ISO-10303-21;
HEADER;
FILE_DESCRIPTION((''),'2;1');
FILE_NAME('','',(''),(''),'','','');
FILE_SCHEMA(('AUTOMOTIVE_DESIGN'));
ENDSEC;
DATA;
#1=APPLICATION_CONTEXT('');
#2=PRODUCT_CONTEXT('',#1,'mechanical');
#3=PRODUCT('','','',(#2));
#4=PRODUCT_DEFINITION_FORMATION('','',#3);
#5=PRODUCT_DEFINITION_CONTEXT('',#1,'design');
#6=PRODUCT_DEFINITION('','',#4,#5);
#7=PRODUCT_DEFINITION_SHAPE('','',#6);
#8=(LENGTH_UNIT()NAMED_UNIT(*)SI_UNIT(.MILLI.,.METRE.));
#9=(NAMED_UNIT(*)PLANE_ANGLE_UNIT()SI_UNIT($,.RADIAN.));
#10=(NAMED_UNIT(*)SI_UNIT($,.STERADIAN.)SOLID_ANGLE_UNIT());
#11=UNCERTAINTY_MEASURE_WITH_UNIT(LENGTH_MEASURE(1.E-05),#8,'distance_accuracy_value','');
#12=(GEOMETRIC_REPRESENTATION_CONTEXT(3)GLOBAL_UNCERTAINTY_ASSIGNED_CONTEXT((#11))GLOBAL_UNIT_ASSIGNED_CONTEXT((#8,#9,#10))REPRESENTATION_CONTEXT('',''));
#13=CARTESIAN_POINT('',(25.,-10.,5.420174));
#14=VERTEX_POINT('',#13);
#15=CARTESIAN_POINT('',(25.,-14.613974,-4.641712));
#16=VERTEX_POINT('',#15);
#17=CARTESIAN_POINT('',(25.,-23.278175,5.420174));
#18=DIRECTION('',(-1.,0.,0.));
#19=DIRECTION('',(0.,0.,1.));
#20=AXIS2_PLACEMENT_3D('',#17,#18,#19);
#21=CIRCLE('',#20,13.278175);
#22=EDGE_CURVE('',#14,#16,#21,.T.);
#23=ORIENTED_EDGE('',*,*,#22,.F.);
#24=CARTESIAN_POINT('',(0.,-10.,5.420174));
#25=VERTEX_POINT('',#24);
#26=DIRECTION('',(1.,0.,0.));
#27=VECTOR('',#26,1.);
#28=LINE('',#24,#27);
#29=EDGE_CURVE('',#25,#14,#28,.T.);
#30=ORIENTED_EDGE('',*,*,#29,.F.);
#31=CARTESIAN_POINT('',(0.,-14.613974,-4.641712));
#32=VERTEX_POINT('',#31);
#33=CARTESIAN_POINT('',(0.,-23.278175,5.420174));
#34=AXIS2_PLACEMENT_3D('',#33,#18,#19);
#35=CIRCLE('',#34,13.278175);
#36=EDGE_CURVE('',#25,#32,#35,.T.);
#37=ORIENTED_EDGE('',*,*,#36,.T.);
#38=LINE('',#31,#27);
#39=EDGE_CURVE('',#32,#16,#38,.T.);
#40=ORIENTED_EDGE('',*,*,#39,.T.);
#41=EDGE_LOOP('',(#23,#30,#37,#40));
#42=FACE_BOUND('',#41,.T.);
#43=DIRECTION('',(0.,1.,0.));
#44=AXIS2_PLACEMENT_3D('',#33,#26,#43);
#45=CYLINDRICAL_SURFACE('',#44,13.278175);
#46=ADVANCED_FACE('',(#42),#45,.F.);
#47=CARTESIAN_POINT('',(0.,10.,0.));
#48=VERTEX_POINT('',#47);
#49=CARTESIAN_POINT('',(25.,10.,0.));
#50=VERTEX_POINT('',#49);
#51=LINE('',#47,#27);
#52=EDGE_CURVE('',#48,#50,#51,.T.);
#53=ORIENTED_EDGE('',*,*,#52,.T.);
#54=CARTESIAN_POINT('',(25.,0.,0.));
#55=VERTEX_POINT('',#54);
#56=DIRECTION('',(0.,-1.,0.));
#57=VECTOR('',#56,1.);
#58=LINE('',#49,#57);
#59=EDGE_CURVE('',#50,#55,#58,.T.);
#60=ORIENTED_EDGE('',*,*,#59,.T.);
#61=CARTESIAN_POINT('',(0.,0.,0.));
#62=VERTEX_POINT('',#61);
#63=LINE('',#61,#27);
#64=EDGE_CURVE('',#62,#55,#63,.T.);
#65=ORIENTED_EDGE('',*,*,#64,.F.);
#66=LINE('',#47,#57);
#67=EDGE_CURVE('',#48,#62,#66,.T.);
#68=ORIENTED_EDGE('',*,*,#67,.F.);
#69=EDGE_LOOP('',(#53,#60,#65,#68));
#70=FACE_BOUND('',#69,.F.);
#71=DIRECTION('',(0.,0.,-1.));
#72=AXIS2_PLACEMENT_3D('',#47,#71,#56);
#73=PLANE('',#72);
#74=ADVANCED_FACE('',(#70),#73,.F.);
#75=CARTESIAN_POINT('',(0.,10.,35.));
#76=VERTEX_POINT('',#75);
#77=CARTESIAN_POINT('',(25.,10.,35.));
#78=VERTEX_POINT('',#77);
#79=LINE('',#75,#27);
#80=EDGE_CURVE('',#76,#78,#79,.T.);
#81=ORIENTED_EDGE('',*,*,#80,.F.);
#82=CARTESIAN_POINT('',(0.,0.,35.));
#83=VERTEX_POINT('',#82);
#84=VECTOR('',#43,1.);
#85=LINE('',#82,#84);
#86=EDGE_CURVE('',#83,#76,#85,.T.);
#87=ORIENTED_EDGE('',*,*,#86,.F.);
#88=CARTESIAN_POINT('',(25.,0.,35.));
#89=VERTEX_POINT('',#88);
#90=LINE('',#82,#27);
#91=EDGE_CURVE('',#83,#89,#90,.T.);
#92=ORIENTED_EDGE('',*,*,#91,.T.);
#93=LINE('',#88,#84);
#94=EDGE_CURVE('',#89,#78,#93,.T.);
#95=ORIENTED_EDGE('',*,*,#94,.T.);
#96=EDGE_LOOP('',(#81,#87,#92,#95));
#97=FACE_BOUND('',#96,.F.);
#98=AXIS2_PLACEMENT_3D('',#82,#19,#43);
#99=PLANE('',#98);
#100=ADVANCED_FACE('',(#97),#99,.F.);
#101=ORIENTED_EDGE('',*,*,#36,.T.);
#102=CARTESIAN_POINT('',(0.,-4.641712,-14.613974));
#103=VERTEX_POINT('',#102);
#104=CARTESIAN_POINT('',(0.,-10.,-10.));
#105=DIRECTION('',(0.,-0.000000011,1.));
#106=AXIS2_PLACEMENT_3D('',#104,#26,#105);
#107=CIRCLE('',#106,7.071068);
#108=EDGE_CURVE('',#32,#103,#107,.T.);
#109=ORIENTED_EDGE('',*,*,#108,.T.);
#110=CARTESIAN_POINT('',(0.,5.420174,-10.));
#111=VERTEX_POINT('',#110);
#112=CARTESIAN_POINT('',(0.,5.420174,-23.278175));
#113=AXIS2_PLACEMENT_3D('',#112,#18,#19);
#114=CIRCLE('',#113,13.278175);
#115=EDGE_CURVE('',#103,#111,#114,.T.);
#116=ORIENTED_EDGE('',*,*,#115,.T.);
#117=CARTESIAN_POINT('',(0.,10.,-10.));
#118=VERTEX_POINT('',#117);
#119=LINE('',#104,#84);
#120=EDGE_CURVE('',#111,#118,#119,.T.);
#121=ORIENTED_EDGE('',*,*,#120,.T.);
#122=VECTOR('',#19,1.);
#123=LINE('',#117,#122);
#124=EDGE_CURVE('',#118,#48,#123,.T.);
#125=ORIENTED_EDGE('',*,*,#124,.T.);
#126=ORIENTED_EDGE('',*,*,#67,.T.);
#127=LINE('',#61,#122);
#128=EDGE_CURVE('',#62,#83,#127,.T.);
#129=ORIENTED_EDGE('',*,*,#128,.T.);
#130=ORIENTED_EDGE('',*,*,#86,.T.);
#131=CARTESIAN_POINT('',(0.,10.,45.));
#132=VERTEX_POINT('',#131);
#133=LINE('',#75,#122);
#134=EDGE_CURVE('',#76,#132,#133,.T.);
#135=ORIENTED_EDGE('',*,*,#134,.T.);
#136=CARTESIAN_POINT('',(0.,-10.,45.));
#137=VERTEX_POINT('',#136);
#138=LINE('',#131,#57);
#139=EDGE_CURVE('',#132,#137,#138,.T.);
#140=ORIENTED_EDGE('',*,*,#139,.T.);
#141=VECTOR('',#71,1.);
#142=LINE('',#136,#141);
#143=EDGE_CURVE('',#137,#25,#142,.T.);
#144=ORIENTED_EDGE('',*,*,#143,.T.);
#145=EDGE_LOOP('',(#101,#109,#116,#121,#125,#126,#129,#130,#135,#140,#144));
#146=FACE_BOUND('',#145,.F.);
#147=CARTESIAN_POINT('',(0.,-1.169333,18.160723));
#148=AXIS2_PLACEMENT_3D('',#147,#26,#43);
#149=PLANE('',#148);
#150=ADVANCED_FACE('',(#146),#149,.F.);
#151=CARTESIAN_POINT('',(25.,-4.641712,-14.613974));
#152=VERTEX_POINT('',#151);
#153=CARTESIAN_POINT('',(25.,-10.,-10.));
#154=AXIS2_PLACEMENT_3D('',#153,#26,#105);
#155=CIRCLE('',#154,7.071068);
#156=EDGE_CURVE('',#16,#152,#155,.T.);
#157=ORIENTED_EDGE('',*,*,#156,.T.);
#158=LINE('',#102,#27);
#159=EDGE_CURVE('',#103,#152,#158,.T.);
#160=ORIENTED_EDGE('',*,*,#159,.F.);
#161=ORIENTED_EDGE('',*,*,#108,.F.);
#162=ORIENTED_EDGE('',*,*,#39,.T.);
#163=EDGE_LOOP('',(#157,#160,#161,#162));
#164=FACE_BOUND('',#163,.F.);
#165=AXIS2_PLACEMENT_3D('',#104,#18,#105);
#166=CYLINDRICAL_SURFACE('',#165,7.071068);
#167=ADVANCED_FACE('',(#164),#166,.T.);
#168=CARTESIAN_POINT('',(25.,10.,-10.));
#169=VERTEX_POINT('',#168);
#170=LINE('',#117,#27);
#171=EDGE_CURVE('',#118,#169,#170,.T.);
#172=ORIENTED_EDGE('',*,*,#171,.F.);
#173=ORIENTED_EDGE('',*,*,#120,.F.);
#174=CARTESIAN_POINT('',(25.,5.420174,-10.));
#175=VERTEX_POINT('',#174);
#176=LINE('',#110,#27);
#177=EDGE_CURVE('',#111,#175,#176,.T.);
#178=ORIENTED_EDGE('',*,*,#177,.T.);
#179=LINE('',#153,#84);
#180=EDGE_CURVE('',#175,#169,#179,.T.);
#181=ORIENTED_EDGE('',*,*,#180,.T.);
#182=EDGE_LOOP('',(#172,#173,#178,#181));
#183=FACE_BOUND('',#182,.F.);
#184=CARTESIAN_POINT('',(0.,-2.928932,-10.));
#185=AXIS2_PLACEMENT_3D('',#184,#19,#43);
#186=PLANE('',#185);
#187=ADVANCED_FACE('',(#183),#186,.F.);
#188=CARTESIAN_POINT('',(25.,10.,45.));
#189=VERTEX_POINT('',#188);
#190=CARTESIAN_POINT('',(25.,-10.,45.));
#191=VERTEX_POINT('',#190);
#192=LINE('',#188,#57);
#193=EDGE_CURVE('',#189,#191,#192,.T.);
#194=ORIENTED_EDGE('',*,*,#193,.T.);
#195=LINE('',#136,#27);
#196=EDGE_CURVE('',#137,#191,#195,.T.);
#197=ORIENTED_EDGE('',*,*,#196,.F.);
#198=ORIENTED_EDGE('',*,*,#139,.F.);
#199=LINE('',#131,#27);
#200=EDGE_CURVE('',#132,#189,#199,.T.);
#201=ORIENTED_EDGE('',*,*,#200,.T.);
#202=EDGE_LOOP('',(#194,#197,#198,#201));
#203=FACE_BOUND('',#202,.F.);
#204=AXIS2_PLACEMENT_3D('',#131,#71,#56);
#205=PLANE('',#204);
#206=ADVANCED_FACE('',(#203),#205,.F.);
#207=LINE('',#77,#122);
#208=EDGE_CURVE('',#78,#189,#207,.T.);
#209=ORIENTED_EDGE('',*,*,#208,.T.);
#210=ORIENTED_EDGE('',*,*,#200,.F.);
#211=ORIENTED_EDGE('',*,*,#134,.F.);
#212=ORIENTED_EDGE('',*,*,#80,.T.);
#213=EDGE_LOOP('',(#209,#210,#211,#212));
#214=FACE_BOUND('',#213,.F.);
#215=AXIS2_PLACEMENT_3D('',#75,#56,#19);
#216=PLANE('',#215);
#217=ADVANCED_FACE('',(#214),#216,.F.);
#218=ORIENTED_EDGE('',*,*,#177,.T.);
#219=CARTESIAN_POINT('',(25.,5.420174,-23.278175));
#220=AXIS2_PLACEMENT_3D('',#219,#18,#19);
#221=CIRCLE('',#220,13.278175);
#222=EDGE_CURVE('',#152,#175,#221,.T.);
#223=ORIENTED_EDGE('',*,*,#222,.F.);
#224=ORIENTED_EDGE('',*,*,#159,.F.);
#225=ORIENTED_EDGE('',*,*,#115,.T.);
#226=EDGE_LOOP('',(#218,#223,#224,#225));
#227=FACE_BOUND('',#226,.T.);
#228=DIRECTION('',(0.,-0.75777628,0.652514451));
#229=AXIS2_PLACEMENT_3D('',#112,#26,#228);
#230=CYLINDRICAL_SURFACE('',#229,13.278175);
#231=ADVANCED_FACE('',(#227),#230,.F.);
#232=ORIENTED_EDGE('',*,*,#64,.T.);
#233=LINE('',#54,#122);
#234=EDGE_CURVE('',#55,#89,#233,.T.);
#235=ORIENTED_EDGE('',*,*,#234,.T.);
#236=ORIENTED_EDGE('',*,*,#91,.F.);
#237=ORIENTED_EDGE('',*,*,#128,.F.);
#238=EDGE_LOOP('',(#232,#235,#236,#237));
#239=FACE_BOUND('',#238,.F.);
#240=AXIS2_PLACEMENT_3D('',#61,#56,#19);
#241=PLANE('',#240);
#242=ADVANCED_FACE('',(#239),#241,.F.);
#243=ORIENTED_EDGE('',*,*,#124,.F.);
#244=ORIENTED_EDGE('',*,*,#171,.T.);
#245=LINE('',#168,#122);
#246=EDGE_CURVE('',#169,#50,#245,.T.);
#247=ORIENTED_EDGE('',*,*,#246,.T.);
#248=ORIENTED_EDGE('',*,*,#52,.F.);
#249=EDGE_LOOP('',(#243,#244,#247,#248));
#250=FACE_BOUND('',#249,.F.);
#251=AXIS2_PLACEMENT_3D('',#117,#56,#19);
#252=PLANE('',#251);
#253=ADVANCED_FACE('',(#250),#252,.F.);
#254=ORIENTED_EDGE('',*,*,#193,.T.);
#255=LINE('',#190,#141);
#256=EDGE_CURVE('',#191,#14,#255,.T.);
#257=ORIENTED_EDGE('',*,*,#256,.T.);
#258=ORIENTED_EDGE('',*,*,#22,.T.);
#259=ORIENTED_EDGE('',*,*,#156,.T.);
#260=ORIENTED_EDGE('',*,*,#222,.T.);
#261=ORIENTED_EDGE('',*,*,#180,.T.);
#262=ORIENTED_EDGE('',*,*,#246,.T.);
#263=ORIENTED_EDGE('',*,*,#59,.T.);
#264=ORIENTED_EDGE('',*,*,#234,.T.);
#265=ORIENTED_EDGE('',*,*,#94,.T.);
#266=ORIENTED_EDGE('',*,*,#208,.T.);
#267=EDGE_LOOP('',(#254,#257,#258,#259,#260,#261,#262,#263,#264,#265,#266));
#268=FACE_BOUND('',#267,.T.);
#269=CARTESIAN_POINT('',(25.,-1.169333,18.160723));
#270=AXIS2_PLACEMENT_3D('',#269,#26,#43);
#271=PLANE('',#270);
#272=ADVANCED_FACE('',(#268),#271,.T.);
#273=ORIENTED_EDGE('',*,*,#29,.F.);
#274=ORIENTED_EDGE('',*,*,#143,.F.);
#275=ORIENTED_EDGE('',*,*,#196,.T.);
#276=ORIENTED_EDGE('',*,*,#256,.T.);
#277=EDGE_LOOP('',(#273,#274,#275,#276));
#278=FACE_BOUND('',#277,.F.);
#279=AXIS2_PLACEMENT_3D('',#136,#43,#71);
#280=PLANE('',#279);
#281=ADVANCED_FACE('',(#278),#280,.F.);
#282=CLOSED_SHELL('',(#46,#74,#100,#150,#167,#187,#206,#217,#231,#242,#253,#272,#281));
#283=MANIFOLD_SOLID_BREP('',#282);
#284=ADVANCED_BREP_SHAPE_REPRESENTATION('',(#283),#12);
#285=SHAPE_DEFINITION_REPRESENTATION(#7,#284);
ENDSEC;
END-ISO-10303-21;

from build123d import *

# Parameters (mm, degrees)
F1_DEPTH = 25
F2_R     = 13.278175


with BuildPart() as f1:
    # F0 (on Right) → F1 (new body)
    with BuildSketch(Plane.YZ):
        with BuildLine():
            Line((10, 0), (0, 0))
            Line((0, 0), (0, 35))
            Line((0, 35), (10, 35))
            Line((10, 35), (10, 45))
            Line((10, 45), (-10, 45))
            Line((-10, 45), (-10, -2.928932))
            ThreePointArc((-10, -2.928932), (-5, -5), (-2.928932, -10))
            Line((-2.928932, -10), (10, -10))
            Line((10, -10), (10, 0))
        make_face()
        with BuildLine():
            Line((-10, -10), (-2.928932, -10))
            ThreePointArc((-2.928932, -10), (-5, -5), (-10, -2.928932))
            Line((-10, -2.928932), (-10, -10))
        make_face()
        with BuildLine():
            ThreePointArc((-10, -2.928932), (-15, -15), (-2.928932, -10))
            Line((-2.928932, -10), (-10, -10))
            Line((-10, -10), (-10, -2.928932))
        make_face()
    extrude(amount=F1_DEPTH)

    # F2
    f2_edges = [f1.edges().sort_by_distance(p)[0] for p in [
        (12.5, -10, -2.928932),
        (12.5, -2.928932, -10),
    ]]
    fillet(f2_edges, radius=F2_R)


solid = f1.part
